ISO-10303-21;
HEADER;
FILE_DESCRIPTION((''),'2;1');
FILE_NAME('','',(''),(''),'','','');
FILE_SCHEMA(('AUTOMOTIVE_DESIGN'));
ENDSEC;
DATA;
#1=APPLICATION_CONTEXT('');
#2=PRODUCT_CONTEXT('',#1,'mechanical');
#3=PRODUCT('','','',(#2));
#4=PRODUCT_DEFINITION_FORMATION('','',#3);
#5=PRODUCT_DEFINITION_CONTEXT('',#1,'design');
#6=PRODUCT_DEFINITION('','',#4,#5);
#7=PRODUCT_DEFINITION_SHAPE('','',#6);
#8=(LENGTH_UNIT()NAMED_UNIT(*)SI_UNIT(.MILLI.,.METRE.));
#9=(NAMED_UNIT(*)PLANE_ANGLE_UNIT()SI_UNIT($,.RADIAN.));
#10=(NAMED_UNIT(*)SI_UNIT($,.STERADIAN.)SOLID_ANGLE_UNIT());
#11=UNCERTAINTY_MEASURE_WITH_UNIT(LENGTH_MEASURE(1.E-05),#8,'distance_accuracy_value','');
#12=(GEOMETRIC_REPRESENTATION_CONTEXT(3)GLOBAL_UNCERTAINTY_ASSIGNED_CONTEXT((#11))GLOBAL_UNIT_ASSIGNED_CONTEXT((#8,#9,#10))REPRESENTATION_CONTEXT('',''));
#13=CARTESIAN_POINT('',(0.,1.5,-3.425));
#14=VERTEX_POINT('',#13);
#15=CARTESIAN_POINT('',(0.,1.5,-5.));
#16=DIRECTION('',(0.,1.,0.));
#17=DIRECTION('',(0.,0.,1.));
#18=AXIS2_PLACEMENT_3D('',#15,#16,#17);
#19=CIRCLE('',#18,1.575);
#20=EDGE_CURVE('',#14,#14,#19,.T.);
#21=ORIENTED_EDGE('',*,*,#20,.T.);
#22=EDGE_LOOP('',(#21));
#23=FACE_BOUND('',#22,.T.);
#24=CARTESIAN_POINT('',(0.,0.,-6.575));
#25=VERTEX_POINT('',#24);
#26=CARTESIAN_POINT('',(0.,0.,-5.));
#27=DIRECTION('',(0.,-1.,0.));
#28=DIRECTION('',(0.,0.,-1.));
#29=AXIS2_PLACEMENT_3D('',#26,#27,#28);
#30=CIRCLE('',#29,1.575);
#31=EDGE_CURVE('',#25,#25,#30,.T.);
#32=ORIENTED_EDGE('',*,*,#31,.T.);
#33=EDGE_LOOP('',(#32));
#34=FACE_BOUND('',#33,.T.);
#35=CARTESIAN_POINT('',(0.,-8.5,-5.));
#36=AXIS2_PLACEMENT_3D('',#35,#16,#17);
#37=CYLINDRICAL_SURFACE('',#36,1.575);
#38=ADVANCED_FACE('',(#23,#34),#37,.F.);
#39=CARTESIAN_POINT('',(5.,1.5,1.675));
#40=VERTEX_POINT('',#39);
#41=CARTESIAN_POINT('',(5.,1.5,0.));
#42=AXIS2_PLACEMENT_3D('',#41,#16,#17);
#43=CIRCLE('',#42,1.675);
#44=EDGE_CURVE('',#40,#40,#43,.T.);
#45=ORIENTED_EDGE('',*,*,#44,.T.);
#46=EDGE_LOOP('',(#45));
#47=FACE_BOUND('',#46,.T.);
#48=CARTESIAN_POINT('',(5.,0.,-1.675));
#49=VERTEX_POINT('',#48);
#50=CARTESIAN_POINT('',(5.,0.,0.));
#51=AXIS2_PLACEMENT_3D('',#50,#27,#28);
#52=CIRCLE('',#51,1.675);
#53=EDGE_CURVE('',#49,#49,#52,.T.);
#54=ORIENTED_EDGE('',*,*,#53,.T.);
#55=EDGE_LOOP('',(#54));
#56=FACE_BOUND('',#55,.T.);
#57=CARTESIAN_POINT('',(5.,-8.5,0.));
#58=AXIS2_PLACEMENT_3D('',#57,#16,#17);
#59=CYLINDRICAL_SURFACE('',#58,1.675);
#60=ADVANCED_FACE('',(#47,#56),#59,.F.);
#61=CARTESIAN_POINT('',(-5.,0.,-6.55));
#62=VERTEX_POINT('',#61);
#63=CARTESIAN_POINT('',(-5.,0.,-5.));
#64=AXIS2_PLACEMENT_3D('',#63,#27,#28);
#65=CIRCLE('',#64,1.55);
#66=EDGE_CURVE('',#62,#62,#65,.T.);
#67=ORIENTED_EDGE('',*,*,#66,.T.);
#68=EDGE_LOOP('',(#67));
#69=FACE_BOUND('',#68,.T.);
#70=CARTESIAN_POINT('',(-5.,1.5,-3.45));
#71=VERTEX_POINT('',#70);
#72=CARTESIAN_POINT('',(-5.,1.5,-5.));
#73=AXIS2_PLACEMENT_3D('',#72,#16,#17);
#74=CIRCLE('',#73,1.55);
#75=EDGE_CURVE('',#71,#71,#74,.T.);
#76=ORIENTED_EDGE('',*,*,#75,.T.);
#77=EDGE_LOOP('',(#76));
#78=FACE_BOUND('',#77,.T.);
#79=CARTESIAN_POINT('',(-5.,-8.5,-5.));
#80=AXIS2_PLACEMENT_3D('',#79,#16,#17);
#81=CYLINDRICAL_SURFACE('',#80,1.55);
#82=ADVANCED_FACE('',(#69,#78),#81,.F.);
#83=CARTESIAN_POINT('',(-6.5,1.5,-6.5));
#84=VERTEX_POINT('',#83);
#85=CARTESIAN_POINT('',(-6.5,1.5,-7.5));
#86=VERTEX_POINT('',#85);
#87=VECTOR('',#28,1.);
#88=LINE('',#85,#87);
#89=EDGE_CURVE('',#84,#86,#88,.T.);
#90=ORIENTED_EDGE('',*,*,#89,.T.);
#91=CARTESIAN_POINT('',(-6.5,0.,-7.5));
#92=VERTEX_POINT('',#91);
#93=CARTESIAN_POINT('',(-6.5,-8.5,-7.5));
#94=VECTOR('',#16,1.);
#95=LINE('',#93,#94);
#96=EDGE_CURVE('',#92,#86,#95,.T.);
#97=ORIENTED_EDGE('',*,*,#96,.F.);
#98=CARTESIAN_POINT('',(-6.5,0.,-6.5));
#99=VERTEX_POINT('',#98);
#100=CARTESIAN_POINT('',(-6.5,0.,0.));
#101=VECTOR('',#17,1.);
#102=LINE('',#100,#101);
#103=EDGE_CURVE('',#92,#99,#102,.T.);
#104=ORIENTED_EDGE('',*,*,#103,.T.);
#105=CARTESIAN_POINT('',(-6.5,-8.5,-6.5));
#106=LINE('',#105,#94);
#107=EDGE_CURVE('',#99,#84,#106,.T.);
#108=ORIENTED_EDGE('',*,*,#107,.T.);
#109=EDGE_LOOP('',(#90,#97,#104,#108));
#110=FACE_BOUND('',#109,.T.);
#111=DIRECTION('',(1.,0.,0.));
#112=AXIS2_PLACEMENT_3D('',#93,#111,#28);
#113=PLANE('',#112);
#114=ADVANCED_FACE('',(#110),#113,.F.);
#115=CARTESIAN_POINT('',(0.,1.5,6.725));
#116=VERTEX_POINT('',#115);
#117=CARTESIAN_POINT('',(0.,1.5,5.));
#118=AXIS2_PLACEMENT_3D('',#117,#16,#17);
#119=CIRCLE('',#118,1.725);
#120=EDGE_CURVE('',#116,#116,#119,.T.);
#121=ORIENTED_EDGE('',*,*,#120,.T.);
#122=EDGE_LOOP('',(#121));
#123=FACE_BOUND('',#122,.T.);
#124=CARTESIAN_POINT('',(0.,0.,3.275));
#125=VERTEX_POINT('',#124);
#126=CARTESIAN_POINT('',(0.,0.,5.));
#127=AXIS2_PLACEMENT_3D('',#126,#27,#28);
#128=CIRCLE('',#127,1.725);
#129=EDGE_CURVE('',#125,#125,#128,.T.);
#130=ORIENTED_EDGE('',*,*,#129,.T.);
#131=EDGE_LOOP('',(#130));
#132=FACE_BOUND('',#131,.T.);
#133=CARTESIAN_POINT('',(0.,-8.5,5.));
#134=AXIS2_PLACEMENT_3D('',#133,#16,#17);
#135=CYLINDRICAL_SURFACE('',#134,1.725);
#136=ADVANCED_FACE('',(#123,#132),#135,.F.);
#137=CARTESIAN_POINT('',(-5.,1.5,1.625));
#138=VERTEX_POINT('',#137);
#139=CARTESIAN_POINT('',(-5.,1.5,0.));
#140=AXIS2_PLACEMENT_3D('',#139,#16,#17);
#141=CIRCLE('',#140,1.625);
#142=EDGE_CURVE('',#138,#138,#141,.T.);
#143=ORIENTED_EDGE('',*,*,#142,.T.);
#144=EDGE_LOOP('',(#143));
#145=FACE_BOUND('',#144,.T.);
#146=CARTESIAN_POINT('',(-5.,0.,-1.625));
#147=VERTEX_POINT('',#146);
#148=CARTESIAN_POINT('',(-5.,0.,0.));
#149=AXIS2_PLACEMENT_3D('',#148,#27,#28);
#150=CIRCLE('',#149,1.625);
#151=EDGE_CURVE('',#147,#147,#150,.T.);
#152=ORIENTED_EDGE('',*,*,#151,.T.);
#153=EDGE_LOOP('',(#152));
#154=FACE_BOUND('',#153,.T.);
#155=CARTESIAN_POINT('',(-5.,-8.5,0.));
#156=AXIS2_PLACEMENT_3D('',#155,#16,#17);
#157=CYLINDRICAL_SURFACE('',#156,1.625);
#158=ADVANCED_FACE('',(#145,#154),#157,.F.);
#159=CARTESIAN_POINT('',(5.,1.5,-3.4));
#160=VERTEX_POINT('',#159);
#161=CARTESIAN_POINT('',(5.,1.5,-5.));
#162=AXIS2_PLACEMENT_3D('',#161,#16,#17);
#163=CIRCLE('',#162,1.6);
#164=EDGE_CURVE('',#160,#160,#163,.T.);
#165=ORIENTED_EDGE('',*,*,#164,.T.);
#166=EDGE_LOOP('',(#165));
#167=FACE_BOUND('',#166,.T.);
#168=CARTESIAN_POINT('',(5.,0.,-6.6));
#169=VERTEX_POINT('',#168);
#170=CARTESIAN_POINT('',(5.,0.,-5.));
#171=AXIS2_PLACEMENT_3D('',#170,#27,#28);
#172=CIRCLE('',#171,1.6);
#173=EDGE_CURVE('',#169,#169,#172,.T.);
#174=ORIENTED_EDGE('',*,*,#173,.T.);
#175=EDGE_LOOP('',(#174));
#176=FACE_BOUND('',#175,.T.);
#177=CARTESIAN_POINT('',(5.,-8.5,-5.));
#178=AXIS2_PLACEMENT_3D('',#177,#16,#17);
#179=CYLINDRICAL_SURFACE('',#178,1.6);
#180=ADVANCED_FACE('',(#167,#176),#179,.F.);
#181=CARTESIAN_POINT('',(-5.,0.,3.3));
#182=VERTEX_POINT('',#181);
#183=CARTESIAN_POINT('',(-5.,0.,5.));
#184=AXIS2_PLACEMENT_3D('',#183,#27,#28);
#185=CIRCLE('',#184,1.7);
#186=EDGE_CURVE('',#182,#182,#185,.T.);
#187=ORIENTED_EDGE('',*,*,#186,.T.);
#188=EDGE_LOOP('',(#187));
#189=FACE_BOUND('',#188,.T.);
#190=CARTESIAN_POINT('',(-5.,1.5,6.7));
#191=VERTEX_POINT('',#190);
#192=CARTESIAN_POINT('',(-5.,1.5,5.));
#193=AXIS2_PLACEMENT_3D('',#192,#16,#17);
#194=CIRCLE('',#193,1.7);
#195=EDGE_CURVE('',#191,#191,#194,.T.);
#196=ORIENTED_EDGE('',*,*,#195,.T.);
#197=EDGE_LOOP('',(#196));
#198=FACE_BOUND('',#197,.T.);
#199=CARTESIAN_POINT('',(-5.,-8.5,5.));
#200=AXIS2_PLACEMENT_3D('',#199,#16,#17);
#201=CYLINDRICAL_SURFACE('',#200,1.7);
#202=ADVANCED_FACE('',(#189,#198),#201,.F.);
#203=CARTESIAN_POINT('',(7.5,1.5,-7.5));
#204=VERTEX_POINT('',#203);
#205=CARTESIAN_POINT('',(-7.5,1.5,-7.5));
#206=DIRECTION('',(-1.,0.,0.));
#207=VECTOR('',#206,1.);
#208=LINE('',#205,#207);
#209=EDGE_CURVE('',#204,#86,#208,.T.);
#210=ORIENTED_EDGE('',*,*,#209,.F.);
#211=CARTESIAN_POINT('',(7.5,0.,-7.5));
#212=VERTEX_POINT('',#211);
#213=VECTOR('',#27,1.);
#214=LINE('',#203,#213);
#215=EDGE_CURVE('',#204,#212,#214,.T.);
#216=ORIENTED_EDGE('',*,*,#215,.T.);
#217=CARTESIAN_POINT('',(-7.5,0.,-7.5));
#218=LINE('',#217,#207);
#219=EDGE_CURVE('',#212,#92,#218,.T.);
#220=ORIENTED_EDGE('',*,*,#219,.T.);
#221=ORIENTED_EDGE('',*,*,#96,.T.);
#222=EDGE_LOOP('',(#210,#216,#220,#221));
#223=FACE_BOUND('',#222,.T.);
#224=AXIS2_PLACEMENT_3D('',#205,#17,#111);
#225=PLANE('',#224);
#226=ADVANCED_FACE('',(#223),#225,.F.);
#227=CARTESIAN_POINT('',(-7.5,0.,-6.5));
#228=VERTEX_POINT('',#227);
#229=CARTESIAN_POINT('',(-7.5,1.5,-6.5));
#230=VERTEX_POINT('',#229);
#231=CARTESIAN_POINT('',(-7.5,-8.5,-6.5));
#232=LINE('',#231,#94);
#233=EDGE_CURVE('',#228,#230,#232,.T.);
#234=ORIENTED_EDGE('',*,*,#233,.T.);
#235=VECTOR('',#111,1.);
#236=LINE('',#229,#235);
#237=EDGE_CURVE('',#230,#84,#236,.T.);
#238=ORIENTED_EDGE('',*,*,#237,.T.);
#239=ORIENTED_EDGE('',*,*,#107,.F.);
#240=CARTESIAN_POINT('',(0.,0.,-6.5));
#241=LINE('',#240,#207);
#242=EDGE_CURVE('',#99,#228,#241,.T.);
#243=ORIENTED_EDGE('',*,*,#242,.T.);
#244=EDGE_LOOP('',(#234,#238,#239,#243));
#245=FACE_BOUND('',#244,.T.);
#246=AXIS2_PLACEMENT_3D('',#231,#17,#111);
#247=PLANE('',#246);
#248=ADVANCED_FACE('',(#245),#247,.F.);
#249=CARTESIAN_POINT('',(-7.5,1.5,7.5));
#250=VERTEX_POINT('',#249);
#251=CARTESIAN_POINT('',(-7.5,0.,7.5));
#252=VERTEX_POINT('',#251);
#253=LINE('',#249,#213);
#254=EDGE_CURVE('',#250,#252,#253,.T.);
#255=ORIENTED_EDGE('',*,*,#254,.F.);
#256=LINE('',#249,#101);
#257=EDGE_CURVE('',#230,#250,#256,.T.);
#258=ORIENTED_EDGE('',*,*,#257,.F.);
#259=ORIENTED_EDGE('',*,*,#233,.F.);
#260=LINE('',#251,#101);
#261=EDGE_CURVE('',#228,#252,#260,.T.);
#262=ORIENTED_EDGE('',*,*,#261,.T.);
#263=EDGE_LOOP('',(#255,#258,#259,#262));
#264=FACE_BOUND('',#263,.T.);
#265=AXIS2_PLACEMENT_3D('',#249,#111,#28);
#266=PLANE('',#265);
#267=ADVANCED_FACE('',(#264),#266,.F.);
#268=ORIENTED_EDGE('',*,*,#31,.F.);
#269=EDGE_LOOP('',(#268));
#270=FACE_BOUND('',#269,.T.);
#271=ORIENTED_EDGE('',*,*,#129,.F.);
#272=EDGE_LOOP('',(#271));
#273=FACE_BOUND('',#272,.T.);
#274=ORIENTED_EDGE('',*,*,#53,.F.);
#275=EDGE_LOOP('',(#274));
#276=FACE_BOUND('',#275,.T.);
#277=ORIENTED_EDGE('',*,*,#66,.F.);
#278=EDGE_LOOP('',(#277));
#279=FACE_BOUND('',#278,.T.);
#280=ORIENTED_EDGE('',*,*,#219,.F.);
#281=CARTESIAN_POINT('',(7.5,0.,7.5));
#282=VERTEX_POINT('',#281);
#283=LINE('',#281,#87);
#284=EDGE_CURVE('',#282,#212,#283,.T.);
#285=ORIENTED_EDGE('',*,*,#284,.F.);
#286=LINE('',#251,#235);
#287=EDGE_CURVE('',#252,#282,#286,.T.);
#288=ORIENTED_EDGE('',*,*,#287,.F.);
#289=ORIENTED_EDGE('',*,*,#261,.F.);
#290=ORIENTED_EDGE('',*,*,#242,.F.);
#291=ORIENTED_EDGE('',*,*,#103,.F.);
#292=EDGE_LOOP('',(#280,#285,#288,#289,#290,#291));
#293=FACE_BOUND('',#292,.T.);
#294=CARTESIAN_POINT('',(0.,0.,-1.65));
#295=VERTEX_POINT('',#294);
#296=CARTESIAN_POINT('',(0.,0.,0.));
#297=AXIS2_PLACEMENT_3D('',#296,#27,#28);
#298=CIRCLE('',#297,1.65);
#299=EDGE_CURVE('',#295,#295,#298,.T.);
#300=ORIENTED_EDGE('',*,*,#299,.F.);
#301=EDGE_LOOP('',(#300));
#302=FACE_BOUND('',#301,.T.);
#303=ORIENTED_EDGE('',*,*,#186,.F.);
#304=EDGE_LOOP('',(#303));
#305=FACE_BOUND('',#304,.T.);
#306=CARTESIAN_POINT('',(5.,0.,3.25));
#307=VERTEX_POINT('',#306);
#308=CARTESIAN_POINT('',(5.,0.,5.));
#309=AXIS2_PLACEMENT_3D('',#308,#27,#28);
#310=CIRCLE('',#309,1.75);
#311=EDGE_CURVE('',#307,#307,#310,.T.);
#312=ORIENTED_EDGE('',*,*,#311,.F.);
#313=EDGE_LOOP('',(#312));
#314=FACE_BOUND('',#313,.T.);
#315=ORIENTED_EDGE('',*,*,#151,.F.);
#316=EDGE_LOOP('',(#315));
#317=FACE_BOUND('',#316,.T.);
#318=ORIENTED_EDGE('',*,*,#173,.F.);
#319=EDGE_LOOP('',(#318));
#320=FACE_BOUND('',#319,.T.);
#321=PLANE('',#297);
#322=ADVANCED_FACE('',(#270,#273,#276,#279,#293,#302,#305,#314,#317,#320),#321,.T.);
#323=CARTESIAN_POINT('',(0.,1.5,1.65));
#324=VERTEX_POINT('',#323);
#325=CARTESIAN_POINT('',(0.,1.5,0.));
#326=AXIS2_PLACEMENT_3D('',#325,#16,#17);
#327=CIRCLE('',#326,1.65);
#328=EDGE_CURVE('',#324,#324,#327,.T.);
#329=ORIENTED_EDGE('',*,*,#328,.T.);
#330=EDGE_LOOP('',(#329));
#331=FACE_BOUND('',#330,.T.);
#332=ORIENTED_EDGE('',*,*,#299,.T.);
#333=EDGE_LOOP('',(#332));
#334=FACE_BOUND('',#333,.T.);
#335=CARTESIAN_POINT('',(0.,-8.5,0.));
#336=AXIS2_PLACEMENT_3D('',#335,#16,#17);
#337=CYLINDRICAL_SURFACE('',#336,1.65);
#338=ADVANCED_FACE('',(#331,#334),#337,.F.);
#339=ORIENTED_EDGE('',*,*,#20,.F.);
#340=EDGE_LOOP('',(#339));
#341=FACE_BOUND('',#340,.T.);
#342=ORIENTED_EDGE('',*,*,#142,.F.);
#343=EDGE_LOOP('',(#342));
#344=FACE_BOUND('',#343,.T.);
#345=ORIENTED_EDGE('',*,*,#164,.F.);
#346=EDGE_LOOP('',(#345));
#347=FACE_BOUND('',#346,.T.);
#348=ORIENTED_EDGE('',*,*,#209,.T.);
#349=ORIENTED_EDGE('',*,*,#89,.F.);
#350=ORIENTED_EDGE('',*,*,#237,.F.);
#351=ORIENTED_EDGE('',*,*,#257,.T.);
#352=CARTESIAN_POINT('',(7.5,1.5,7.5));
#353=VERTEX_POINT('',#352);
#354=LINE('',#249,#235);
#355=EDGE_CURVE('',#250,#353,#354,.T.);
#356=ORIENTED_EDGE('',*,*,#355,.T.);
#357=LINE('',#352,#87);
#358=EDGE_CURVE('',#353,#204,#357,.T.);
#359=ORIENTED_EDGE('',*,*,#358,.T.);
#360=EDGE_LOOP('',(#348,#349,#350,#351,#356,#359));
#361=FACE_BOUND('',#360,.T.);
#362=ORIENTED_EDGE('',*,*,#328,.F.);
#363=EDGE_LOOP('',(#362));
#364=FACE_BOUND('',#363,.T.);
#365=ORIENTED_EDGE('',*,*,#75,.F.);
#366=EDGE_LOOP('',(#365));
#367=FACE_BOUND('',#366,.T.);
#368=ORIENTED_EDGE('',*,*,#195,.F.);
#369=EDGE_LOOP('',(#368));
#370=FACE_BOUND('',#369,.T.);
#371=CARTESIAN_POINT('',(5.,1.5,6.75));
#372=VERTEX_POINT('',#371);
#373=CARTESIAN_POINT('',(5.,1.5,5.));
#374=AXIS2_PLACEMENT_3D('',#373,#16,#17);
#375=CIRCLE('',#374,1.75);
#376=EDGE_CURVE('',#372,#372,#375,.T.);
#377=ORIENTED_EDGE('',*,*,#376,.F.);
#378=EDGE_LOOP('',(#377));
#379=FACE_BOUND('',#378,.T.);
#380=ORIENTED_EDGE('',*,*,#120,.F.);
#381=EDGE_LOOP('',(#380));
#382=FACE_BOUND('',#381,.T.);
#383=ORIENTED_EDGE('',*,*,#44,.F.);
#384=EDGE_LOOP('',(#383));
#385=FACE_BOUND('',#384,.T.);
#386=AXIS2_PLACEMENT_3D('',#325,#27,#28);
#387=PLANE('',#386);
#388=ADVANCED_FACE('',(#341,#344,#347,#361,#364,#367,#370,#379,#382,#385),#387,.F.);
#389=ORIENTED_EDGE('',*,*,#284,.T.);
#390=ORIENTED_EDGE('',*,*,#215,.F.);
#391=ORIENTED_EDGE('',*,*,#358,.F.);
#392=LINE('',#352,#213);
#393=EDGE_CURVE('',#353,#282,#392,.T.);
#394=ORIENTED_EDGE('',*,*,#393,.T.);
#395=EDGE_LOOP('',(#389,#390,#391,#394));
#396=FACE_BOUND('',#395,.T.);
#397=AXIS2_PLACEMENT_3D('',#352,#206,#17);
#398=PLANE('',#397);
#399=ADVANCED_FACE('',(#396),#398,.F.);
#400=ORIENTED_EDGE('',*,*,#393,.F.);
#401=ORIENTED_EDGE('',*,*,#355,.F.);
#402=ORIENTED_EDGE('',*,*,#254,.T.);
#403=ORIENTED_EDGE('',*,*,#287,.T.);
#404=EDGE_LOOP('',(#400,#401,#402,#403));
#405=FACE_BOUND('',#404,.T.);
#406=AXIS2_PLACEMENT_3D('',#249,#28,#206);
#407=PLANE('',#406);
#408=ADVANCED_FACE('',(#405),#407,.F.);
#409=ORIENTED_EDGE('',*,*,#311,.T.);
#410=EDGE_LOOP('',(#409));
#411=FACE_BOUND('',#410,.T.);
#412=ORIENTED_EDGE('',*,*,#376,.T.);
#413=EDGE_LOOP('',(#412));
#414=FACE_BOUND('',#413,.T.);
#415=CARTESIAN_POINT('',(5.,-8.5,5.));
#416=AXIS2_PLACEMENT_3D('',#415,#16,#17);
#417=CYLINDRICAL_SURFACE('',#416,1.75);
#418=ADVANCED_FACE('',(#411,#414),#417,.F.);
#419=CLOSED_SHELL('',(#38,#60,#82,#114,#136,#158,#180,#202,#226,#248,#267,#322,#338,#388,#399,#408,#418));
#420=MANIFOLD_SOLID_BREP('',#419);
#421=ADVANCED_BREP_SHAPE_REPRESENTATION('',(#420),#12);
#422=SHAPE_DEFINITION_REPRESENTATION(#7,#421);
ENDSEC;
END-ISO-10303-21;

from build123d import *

# Parameters (mm, degrees)
SKETCH1_W           = 15
SKETCH1_H           = 15
BOSS_EXTRUDE1_DEPTH = 1.5
SKETCH2_R           = 1.55
SKETCH2_R_2         = 1.575
SKETCH2_R_3         = 1.6
SKETCH2_R_4         = 1.625
SKETCH2_R_5         = 1.65
SKETCH2_R_6         = 1.675
SKETCH2_R_7         = 1.7
SKETCH2_R_8         = 1.725
SKETCH2_R_9         = 1.75
CUT_EXTRUDE1_DEPTH  = 10
SKETCH4_W           = 1
SKETCH4_H           = 1
CUT_EXTRUDE2_DEPTH  = 10


with BuildPart() as part:
    # Sketch1 → Boss-Extrude1 (new body)
    with BuildSketch(Plane(origin=(0, 0, 0), x_dir=(1, 0, 0), z_dir=(0, 1, 0))):
        Rectangle(SKETCH1_W, SKETCH1_H)
    extrude(amount=BOSS_EXTRUDE1_DEPTH)

    # Sketch2 → Cut-Extrude1 (cut)
    with BuildSketch(Plane(origin=(0, 1.5, 0), x_dir=(1, 0, 0), z_dir=(0, 1, 0))):
        with Locations((-5, 5)):
            Circle(SKETCH2_R)
        with Locations((0, 5)):
            Circle(SKETCH2_R_2)
        with Locations((5, 5)):
            Circle(SKETCH2_R_3)
        with Locations((-5, 0)):
            Circle(SKETCH2_R_4)
        Circle(SKETCH2_R_5)
        with Locations((5, 0)):
            Circle(SKETCH2_R_6)
        with Locations((-5, -5)):
            Circle(SKETCH2_R_7)
        with Locations((0, -5)):
            Circle(SKETCH2_R_8)
        with Locations((5, -5)):
            Circle(SKETCH2_R_9)
    extrude(amount=-CUT_EXTRUDE1_DEPTH, mode=Mode.SUBTRACT)

    # Sketch4 → Cut-Extrude2 (cut)
    with BuildSketch(Plane(origin=(0, 1.5, 0), x_dir=(1, 0, 0), z_dir=(0, 1, 0))):
        with Locations((-7, 7)):
            Rectangle(SKETCH4_W, SKETCH4_H)
    extrude(amount=-CUT_EXTRUDE2_DEPTH, mode=Mode.SUBTRACT)


solid = part.part
